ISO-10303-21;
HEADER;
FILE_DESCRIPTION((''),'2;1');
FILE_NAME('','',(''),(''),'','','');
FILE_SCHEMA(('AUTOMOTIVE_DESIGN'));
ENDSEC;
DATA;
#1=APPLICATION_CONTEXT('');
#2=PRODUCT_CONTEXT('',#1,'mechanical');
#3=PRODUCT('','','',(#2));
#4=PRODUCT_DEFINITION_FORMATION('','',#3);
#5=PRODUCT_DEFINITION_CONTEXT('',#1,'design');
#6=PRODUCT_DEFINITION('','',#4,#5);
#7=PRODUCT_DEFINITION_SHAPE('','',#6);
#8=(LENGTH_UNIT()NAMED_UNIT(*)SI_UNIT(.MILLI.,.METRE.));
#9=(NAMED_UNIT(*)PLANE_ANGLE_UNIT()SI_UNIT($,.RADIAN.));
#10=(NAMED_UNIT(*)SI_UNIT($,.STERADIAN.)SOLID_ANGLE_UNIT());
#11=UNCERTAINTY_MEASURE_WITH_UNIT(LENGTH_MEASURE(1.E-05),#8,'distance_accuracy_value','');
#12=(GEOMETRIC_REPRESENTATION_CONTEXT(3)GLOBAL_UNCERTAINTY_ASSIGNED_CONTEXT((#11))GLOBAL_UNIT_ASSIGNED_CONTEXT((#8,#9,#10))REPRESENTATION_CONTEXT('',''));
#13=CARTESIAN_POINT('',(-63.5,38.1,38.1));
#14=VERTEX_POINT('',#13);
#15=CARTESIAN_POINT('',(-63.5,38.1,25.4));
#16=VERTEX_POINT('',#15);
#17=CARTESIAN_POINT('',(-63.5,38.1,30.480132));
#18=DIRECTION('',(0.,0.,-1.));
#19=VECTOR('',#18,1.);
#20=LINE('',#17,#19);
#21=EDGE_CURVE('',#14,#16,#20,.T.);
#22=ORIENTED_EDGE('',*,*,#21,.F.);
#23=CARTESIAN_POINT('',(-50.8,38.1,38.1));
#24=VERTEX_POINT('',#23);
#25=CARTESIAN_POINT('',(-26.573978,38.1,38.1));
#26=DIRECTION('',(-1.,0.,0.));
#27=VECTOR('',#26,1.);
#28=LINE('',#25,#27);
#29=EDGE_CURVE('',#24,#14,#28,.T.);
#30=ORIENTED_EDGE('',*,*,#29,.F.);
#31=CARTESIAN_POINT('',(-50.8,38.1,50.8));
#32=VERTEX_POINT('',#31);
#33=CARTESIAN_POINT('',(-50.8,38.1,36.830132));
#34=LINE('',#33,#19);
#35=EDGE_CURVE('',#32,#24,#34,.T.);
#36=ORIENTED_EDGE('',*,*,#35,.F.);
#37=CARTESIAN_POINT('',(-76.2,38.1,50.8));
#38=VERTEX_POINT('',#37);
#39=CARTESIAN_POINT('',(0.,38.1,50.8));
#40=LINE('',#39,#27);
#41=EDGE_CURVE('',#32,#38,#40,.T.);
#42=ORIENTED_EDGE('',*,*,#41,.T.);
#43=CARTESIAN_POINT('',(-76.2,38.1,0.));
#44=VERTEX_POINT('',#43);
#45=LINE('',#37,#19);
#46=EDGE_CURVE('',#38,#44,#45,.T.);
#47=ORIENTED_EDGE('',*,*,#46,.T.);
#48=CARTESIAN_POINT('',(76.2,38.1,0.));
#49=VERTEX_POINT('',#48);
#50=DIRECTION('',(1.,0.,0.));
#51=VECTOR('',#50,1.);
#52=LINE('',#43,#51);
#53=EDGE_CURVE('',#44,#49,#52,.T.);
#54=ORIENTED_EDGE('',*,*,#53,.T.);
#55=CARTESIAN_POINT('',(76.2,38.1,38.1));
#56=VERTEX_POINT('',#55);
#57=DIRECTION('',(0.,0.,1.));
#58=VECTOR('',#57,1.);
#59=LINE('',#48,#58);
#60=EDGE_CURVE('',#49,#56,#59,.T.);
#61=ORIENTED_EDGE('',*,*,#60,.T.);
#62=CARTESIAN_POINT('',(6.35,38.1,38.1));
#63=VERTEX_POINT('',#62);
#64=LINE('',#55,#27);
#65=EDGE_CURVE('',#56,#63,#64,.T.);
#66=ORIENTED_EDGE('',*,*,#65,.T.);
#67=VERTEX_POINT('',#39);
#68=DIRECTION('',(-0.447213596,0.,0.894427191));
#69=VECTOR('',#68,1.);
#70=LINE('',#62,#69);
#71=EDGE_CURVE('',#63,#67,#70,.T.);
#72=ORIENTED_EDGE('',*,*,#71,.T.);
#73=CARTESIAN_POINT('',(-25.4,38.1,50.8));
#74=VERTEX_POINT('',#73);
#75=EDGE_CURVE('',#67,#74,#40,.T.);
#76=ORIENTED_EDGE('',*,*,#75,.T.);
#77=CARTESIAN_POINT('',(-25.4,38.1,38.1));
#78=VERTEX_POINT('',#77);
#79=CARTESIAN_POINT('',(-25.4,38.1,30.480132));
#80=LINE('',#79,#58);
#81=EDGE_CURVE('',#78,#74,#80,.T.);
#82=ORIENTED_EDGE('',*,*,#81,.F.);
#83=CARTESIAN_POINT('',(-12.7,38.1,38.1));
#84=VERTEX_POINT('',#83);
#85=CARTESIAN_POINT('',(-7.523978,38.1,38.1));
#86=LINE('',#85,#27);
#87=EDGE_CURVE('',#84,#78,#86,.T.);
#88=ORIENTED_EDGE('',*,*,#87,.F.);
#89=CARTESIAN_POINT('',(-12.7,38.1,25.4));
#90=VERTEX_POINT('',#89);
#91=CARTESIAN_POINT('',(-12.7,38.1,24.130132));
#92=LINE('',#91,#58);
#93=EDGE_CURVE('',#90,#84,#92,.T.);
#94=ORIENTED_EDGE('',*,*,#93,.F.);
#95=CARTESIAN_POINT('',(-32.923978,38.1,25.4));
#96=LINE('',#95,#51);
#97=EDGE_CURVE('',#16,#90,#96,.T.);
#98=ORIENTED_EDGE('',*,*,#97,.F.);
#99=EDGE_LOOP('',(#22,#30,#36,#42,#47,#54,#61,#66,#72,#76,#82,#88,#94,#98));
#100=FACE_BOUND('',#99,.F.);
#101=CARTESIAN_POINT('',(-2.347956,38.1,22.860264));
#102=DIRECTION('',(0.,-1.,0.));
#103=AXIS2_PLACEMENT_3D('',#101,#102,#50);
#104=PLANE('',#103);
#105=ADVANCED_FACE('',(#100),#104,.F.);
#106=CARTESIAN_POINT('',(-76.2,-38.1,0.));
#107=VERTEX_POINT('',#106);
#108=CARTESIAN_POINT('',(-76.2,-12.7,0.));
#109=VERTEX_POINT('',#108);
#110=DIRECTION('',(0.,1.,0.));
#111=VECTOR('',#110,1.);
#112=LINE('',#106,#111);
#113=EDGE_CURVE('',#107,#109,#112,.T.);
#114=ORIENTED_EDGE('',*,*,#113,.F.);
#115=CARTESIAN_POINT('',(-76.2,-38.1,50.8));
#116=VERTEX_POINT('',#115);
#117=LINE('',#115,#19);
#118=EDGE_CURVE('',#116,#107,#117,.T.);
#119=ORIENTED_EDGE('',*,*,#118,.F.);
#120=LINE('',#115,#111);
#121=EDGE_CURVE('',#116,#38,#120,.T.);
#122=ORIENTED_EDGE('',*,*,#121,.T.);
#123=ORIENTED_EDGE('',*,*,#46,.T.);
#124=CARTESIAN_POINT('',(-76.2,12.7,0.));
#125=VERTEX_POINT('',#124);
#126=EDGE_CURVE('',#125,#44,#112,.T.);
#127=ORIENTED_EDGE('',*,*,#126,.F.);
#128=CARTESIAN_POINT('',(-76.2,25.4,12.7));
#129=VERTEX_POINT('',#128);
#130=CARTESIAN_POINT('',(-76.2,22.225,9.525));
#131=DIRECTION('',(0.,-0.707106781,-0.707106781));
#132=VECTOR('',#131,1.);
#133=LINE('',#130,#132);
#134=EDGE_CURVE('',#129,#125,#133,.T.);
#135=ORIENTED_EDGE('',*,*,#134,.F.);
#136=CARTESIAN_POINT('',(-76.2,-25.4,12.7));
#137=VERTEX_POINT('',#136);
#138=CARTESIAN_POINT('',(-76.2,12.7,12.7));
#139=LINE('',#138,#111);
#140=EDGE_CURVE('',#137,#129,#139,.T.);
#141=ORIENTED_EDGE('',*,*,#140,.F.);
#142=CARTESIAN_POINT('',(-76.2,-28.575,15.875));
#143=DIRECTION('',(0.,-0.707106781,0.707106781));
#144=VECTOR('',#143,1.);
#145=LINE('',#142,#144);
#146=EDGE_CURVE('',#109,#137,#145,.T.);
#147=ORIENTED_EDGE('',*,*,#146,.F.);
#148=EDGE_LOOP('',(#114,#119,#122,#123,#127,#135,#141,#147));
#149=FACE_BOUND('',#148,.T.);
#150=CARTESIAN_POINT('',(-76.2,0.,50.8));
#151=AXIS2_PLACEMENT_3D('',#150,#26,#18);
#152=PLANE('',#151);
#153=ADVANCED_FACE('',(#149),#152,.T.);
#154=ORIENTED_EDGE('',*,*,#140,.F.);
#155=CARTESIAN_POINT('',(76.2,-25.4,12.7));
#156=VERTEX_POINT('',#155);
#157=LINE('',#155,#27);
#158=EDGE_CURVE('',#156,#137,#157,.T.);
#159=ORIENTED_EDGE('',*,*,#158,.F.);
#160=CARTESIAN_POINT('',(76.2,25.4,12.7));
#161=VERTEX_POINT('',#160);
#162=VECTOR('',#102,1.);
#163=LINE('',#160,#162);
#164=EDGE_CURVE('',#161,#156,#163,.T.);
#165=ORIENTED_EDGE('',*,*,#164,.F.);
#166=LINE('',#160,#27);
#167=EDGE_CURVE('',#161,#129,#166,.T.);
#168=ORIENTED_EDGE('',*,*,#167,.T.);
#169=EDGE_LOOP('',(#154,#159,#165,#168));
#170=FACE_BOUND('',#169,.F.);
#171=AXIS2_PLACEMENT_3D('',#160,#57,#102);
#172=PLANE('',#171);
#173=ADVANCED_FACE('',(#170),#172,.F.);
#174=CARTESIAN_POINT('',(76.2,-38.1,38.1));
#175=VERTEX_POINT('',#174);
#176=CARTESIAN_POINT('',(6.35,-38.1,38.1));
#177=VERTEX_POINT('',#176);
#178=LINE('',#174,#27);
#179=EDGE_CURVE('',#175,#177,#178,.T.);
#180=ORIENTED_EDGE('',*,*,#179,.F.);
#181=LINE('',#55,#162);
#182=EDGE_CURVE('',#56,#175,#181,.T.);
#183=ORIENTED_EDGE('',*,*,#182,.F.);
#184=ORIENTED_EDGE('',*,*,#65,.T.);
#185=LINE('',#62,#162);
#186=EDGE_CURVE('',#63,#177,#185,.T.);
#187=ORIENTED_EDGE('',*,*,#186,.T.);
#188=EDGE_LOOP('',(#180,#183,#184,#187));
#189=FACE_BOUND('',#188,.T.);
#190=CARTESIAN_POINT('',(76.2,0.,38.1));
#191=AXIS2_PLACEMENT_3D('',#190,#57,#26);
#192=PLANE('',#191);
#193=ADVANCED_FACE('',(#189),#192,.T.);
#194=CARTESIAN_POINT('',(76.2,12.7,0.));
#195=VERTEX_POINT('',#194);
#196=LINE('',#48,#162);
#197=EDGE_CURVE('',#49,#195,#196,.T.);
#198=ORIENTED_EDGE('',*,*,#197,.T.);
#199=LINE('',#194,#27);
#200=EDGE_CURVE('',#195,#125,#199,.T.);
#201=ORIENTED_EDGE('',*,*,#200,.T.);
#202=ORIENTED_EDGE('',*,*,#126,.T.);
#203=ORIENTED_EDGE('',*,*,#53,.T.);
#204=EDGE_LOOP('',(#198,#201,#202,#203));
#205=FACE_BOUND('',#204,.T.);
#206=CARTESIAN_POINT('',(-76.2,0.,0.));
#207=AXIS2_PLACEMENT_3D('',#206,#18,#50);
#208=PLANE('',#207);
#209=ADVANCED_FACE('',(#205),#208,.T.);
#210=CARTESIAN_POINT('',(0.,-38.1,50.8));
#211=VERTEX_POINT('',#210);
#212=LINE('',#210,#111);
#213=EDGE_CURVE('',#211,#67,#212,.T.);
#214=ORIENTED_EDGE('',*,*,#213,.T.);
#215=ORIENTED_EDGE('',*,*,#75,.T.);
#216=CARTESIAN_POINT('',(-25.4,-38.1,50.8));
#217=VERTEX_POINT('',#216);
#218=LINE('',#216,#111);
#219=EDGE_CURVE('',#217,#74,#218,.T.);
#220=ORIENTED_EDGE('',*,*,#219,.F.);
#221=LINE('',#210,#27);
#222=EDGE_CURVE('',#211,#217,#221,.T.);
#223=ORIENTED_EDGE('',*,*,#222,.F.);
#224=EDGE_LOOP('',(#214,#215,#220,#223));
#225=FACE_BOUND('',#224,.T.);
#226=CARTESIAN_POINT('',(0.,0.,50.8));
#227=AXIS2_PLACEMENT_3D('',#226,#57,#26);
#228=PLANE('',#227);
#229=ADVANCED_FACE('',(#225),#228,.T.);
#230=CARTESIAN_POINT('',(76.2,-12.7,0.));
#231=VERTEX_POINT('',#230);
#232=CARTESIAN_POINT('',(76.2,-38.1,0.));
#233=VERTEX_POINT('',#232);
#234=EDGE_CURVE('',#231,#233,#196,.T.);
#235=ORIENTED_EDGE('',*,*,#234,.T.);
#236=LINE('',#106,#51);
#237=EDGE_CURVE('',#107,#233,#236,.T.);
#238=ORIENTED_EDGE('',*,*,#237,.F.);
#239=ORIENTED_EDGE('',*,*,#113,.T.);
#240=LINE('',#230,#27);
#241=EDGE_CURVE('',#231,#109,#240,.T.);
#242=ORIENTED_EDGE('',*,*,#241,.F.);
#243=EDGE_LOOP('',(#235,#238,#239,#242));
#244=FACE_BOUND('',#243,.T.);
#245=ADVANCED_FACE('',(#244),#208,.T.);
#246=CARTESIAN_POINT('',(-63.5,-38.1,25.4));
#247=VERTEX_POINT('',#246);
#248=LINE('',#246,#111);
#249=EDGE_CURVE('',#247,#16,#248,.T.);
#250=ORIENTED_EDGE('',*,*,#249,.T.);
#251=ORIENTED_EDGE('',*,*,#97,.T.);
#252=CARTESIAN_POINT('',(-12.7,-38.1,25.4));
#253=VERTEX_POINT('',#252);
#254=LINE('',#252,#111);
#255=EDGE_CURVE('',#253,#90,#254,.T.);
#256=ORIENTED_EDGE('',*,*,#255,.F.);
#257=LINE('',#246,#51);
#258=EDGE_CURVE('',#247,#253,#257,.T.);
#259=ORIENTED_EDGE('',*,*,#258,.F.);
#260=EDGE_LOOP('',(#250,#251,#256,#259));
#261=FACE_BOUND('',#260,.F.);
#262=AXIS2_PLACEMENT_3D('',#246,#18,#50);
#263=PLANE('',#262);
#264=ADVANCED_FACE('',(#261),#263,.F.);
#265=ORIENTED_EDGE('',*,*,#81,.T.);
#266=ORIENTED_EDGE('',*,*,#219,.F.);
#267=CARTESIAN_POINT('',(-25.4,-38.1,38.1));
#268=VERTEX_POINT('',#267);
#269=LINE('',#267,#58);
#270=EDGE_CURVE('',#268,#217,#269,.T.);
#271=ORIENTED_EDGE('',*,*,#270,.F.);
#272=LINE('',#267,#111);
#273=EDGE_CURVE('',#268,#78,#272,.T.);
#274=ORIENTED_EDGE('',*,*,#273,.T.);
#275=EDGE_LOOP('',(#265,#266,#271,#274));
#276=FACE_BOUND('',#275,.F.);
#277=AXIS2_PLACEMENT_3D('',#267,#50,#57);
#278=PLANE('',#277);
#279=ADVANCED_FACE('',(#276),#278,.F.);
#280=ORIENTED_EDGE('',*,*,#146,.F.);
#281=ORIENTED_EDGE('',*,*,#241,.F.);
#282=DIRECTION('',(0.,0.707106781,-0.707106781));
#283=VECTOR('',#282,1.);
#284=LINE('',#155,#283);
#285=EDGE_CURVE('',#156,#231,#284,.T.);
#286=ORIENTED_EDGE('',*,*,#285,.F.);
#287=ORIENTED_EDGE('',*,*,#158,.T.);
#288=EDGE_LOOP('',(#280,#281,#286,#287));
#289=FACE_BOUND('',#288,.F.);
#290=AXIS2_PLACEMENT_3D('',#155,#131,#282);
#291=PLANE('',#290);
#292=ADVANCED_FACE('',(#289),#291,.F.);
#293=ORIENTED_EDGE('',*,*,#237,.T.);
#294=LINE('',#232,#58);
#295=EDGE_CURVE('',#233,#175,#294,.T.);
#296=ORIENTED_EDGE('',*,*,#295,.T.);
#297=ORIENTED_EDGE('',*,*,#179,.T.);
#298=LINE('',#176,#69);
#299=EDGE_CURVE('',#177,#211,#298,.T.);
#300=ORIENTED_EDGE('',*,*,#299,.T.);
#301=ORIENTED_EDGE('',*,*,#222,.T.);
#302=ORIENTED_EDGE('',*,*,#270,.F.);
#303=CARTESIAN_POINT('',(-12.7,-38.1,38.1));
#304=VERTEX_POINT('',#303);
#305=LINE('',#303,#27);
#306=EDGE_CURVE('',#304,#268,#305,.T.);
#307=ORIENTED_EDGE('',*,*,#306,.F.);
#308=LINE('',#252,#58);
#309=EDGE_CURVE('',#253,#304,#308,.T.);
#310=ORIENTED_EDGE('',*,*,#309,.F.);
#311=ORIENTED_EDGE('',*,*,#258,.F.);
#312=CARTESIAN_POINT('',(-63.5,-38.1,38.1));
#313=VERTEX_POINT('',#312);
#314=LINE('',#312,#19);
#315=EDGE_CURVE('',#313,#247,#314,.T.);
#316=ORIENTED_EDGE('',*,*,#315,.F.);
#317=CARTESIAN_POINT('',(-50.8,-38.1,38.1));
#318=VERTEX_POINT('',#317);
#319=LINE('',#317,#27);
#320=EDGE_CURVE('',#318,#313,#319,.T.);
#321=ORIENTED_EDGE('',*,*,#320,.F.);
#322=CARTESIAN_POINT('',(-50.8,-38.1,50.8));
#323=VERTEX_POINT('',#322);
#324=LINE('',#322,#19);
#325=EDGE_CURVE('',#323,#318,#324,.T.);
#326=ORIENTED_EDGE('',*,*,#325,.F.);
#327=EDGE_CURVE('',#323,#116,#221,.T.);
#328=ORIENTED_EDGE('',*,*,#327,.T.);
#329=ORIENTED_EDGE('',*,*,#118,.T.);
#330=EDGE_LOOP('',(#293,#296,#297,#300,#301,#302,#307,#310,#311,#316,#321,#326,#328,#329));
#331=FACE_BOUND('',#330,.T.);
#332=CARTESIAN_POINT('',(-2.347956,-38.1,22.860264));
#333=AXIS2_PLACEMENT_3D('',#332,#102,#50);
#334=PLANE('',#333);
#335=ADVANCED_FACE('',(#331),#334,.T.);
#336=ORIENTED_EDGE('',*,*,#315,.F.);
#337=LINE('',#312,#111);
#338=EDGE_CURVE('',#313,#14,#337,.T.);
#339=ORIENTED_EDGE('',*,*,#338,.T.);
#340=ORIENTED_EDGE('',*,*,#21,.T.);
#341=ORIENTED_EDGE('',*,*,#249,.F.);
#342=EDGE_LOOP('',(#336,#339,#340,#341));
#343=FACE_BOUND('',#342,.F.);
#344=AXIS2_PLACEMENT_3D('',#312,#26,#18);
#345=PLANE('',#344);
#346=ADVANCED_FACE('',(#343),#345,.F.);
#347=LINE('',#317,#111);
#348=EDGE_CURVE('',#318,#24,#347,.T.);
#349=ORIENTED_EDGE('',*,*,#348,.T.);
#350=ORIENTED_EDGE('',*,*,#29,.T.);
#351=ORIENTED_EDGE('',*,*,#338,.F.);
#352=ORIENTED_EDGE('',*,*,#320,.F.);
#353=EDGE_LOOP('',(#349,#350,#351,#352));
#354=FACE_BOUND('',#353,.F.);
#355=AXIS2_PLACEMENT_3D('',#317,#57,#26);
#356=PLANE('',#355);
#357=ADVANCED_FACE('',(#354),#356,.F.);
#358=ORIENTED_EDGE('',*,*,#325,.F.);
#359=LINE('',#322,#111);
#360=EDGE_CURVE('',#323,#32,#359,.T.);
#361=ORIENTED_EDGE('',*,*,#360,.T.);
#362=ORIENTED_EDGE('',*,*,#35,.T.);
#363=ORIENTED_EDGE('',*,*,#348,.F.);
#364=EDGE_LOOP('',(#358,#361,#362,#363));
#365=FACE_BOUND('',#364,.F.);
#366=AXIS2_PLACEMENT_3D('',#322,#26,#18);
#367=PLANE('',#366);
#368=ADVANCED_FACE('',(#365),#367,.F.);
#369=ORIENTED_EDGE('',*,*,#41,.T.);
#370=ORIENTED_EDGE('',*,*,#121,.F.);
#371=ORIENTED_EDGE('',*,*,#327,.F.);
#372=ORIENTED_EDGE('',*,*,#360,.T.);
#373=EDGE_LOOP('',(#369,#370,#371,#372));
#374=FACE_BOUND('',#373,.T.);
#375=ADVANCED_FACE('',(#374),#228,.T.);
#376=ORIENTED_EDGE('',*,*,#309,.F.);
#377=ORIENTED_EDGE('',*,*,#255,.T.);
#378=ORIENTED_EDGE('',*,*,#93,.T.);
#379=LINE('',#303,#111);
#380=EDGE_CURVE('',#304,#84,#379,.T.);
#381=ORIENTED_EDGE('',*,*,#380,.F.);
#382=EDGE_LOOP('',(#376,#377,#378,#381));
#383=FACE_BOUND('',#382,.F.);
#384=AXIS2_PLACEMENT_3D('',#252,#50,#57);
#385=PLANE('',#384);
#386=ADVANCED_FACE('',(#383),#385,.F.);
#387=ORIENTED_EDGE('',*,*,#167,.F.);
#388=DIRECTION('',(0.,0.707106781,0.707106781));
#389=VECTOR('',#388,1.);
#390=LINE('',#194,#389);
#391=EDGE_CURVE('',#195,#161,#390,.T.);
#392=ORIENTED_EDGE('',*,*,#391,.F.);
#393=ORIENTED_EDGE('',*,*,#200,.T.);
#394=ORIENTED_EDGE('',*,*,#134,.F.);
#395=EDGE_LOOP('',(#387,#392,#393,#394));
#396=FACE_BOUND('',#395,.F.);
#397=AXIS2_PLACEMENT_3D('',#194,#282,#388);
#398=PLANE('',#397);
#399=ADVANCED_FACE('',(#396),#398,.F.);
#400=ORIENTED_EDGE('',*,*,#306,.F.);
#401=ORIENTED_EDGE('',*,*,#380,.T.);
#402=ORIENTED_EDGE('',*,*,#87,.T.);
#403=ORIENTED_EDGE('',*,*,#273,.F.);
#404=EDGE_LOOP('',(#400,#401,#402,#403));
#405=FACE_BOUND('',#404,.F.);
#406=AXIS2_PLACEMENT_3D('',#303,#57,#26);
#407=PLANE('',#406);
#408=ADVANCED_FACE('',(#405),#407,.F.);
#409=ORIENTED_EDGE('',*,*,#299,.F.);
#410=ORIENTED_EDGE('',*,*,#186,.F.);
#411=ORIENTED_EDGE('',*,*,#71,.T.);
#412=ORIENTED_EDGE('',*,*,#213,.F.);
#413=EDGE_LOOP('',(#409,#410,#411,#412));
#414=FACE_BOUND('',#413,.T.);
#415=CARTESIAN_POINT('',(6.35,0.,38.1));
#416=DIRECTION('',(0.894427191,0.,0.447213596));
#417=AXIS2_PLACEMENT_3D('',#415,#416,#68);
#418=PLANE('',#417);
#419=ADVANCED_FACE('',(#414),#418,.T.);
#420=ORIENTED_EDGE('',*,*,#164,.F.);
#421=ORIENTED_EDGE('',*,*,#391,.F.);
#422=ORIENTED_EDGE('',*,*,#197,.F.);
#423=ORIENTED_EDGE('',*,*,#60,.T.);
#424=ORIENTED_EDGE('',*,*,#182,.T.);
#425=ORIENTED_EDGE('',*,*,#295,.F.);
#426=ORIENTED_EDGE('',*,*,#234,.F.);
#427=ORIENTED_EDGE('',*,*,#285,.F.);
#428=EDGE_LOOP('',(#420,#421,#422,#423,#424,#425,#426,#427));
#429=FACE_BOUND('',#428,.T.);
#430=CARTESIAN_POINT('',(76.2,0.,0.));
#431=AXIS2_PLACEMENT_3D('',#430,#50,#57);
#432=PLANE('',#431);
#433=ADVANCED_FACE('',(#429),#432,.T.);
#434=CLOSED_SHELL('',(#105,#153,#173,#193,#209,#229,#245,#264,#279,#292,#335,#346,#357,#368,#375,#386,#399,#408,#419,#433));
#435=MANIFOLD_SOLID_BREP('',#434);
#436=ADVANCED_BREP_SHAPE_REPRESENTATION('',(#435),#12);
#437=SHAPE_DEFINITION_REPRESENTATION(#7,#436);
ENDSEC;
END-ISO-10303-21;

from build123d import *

# Parameters (mm, degrees)
F1_DEPTH = 38.1
F3_DEPTH = 76.201
F5_DEPTH = 152.401


with BuildPart() as f1:
    # F0 (on Front) → F1 (new body, symmetric)
    with BuildSketch(Plane.XZ):
        Polygon((-76.2, 0), (0, 0), (76.2, 0), (76.2, 38.1), (6.35, 38.1), (0, 50.8), (-76.2, 50.8), align=None)
    extrude(amount=F1_DEPTH, both=True)

    # F2 (on face) → F3 (cut, through all)
    with BuildSketch(Plane.XZ.offset(38.1)):
        Polygon((-25.4, 50.8), (-50.8, 50.8), (-50.8, 38.1), (-63.5, 38.1), (-63.5, 25.4), (-12.7, 25.4), (-12.7, 38.1), (-25.4, 38.1), align=None)
    extrude(amount=-F3_DEPTH, mode=Mode.SUBTRACT)

    # F4 (on face) → F5 (cut, through all)
    with BuildSketch(Plane.YZ.offset(76.2)):
        Polygon((-25.4, 12.7), (-12.7, 0), (12.7, 0), (25.4, 12.7), align=None)
    extrude(amount=-F5_DEPTH, mode=Mode.SUBTRACT)


solid = f1.part
